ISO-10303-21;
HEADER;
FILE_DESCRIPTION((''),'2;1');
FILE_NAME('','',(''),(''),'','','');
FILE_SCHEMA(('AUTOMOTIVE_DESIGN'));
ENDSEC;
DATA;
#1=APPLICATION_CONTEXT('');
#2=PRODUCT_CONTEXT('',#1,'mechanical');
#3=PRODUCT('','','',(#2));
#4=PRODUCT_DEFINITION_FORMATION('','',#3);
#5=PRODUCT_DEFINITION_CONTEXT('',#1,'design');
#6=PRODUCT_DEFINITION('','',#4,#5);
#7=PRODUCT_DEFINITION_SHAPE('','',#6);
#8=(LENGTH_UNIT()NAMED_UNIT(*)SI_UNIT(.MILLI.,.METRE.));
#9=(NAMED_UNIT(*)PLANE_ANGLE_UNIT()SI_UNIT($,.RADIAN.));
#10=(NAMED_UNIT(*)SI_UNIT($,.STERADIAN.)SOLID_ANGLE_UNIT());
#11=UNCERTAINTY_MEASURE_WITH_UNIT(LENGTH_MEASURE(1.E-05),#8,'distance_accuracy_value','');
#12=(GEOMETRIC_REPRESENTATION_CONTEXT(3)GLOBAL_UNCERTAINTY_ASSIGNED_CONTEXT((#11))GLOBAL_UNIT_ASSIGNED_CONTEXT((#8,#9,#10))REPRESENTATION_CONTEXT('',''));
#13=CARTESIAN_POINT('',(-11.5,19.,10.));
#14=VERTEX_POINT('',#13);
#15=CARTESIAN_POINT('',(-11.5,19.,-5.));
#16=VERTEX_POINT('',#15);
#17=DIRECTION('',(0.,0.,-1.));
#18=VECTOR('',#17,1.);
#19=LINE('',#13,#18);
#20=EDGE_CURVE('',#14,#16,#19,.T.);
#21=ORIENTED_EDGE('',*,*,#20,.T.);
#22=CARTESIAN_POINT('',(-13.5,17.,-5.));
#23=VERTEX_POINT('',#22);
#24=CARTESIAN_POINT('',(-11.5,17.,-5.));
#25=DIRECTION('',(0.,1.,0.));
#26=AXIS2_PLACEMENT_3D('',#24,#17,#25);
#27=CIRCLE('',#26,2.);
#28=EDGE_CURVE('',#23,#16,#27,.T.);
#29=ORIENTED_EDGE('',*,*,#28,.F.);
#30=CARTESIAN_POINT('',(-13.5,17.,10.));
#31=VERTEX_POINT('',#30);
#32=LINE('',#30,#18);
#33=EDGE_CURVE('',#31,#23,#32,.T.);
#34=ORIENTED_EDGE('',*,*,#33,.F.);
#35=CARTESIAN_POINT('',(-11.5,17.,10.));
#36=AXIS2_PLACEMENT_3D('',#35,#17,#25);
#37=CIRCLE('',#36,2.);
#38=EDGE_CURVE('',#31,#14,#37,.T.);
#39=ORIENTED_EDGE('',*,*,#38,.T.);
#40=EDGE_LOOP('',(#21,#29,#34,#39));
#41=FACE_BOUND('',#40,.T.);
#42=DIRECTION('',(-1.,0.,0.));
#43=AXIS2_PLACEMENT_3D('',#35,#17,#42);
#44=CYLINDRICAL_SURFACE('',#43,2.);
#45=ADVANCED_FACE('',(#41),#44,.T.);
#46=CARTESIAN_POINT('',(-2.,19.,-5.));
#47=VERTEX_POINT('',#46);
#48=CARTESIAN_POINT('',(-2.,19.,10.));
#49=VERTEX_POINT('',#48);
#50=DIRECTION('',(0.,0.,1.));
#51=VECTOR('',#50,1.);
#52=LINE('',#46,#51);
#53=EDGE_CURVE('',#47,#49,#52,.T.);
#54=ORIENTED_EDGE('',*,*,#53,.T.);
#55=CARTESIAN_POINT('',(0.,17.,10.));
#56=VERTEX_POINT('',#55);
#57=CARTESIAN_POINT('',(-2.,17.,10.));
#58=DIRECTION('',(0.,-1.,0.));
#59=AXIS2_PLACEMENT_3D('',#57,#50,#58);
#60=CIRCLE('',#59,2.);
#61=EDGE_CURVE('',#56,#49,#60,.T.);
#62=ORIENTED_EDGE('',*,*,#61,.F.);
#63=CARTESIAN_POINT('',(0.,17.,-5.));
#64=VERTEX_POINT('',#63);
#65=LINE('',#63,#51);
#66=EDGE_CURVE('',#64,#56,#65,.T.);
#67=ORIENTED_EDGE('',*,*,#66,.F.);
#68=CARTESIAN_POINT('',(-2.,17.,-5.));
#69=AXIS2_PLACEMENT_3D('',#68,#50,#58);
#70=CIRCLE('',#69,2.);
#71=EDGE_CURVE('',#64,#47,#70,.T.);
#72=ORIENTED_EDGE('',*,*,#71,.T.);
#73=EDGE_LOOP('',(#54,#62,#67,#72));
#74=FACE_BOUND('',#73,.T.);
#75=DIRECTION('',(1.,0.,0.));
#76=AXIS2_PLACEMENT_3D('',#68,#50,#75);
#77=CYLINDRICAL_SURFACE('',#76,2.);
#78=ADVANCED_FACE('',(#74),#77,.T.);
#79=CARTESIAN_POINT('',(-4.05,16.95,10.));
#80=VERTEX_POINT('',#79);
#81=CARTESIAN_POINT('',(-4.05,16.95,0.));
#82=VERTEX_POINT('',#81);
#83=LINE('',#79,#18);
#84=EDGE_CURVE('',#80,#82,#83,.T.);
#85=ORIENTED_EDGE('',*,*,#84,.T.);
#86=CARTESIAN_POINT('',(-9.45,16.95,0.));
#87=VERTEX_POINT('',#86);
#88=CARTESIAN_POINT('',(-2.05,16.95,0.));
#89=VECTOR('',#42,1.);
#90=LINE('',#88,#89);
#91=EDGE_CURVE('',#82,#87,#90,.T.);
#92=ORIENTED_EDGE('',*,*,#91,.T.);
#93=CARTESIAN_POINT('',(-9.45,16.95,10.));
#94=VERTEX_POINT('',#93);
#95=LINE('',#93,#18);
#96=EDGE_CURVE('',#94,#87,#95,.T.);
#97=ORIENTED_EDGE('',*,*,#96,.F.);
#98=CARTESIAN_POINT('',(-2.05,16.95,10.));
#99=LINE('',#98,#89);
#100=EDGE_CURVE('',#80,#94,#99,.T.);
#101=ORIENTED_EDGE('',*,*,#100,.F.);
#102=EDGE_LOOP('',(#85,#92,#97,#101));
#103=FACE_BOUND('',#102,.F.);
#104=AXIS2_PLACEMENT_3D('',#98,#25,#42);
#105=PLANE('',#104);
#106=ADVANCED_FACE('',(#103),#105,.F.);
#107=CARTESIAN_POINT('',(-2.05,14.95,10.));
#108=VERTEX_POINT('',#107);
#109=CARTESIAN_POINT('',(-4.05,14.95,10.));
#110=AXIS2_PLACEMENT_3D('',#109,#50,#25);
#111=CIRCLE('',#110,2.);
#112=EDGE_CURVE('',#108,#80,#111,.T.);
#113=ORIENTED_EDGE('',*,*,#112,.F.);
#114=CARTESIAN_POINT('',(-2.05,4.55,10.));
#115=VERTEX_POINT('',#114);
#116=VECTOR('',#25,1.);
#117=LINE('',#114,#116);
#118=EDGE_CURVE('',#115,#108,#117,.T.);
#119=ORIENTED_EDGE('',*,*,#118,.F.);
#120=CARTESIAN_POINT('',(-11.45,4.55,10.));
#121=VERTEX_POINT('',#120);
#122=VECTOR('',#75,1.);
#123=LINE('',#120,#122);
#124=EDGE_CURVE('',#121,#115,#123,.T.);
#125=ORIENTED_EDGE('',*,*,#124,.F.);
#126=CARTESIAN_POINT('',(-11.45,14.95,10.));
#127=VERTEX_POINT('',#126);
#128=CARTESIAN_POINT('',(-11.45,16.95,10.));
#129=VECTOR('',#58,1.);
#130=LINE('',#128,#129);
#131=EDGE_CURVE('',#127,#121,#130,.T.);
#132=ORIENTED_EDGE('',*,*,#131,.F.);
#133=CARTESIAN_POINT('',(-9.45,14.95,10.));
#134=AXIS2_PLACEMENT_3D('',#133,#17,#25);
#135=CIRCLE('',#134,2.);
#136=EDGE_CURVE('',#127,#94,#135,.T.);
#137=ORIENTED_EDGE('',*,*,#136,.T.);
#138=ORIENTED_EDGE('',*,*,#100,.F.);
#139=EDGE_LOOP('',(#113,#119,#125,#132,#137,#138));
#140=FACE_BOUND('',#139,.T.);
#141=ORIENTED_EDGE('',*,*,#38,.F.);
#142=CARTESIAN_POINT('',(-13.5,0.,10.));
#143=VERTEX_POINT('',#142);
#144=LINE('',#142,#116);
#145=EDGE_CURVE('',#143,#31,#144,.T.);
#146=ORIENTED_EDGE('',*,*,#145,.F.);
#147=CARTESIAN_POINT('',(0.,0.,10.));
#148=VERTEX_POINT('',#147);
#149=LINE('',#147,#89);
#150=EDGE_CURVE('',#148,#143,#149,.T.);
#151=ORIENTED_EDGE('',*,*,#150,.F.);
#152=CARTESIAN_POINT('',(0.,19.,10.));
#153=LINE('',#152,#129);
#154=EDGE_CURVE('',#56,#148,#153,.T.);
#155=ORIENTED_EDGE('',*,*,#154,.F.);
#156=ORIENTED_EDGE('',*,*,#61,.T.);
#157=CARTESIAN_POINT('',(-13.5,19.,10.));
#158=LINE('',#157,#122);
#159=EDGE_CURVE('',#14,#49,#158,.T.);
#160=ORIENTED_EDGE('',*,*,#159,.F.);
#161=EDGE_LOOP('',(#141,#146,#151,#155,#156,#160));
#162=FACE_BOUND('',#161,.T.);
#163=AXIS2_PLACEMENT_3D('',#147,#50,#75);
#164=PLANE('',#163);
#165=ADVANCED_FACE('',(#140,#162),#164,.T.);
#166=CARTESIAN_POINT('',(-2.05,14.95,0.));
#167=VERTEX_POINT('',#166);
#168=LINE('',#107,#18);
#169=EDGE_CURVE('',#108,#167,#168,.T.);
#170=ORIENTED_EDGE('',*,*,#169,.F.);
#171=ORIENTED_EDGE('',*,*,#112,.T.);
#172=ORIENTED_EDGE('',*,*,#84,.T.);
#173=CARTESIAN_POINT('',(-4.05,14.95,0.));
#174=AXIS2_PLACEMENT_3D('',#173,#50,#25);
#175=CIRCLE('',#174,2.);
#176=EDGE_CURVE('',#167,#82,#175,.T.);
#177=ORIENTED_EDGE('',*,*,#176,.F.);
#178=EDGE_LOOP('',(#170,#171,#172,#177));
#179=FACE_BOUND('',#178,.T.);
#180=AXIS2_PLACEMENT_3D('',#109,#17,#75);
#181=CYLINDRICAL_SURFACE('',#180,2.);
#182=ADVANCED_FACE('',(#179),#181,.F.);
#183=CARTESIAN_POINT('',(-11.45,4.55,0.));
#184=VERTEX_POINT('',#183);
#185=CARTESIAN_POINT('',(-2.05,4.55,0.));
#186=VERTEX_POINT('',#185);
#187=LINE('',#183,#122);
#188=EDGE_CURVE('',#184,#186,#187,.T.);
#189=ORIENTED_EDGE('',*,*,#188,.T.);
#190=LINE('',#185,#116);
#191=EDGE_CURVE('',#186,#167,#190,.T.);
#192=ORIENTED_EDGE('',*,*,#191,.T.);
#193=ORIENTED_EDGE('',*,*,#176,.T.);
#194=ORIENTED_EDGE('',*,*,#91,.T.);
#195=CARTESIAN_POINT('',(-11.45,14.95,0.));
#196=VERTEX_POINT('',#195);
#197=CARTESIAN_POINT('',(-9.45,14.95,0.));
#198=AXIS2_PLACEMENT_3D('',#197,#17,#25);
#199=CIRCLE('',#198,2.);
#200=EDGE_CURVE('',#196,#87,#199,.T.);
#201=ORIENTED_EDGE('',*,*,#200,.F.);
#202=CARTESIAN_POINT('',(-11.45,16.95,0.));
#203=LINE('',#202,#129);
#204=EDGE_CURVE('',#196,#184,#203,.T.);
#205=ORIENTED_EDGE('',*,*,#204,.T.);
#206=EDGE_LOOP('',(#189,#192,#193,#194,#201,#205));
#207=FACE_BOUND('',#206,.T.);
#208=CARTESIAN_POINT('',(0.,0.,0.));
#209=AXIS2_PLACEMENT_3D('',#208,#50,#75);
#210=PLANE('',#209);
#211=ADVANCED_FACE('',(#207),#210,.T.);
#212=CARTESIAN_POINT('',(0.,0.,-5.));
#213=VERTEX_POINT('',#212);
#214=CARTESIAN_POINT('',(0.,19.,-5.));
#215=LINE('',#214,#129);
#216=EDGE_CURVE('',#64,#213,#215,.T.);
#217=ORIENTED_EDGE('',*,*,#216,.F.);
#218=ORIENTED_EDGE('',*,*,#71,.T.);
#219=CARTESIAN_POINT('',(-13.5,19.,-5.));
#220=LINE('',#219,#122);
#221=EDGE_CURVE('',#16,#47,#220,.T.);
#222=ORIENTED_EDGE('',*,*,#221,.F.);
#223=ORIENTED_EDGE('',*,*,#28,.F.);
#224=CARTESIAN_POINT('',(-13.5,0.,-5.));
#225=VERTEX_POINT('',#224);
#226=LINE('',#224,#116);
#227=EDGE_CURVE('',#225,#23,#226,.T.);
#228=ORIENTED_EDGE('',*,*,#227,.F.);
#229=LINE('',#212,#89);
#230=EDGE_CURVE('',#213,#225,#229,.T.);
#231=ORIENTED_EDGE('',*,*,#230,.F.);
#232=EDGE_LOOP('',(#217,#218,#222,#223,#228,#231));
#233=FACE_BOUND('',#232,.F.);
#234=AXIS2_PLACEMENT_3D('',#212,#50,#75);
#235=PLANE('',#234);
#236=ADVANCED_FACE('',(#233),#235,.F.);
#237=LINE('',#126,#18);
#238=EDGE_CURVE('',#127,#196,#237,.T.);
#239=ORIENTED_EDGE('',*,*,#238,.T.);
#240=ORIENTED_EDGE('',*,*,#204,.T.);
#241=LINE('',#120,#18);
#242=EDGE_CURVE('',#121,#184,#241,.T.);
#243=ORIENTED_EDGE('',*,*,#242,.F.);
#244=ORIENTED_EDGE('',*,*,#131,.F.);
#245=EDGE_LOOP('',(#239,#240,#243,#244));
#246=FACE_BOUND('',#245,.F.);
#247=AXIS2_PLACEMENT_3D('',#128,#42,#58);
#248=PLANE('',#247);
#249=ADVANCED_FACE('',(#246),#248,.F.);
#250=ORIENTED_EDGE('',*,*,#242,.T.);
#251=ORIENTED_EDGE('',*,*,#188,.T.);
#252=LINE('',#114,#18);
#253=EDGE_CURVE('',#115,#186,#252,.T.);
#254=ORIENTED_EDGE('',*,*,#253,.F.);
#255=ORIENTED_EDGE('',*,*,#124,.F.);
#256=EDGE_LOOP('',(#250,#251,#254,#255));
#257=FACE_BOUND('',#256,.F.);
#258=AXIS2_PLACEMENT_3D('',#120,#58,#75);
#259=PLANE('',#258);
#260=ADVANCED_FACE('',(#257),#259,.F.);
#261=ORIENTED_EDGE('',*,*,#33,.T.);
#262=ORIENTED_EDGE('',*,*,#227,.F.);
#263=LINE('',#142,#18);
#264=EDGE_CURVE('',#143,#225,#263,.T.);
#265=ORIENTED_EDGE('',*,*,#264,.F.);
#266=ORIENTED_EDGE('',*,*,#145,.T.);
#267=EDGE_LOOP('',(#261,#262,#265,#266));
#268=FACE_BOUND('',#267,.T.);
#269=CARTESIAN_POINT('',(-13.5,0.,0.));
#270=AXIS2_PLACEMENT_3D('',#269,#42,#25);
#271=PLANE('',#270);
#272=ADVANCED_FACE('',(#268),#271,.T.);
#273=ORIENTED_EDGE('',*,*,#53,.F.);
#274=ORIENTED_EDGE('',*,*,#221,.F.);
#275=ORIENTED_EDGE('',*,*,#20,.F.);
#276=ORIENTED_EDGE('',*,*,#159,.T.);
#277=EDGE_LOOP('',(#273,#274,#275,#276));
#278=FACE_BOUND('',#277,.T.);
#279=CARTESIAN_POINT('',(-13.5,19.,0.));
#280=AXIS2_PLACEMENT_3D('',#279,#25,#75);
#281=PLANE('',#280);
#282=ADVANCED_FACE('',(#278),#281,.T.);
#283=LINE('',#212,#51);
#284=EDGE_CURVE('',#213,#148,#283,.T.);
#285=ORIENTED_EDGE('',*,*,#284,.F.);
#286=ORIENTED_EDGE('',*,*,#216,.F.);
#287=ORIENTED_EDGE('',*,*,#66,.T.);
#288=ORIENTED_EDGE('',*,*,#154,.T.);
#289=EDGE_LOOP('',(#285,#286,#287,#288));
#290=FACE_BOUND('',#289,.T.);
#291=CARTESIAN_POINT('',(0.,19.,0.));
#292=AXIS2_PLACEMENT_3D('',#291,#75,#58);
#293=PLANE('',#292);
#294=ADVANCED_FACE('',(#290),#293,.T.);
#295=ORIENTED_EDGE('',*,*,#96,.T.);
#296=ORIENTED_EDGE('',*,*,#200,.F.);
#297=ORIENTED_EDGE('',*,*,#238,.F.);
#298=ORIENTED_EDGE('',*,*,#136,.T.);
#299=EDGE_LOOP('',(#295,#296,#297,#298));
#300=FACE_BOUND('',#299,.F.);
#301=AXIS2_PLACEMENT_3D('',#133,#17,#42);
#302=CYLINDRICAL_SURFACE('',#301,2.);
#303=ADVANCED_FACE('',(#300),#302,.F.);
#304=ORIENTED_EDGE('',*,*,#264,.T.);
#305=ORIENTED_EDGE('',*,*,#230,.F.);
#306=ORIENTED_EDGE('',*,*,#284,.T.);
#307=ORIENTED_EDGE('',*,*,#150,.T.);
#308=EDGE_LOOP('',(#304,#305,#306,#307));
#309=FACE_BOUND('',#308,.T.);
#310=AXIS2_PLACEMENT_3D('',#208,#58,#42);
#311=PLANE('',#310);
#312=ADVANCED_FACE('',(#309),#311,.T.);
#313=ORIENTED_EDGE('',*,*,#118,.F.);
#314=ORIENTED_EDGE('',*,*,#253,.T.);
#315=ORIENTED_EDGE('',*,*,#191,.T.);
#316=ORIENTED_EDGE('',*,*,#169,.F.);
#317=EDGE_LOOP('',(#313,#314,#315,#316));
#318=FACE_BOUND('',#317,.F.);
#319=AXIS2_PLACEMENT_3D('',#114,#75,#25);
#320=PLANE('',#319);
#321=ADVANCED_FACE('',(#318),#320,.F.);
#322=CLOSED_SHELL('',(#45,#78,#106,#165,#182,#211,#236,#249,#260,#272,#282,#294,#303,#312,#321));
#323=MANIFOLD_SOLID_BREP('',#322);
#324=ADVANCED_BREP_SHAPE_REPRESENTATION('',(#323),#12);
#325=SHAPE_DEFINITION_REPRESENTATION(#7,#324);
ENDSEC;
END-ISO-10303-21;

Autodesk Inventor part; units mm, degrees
ref_plane "YZ Plane" through (0, 0, 0) normal (1, 0, 0) x (0, 1, 0)
ref_plane "XZ Plane" through (0, 0, 0) normal (0, 1, 0) x (-1, 0, 0)
ref_plane "XY Plane" through (0, 0, 0) normal (0, 0, 1) x (1, 0, 0)
sketch "Sketch1" plane through (0, 0, 0) normal (0, 0, 1) x (1, 0, 0)
  line L0 (0, 0) -> (-13.5, 0)
  line L1 (-13.5, 0) -> (-13.5, 19)
  line L2 (-13.5, 19) -> (0, 19)
  line L3 (0, 19) -> (0, 0)
  dimension "d0" = 13.5
  dimension "d1" = 19
extrude "Extrusion1" add sketch "Sketch1" along normal blind 10 and the other way blind 5
sketch "Sketch2" plane through (0, 0, 10) normal (0, 0, 1) x (1, 0, 0)
  line L0 (-13.5, 19) -> (-13.5, 0) projected
  line L1 (-13.5, 0) -> (-11.45, 0)
  line L2 (-11.45, 0) -> (-11.45, 4.55)
  line L3 (-11.45, 4.55) -> (-13.5, 4.55)
  line L4 (-13.5, 4.55) -> (-13.5, 0)
  line L5 (0, 19) -> (-13.5, 19) projected
  line L6 (0, 19) -> (-2.05, 19)
  line L7 (-2.05, 19) -> (-2.05, 16.95)
  line L8 (-2.05, 16.95) -> (0, 16.95)
  line L9 (0, 16.95) -> (0, 19)
  line L10 (-11.45, 4.55) -> (-2.05, 4.55)
  line L11 (-2.05, 4.55) -> (-2.05, 16.95)
  line L12 (-2.05, 16.95) -> (-11.45, 16.95)
  line L13 (-11.45, 16.95) -> (-11.45, 4.55)
  point P0 (0, 0)
  dimension "d4" = 2.05
  dimension "d5" = 4.55
  dimension "d6" = 2.05
  dimension "d7" = 2.05
extrude "Extrusion2" cut sketch "Sketch2" against normal blind 10 contours L13 L12 L11 L10
fillet "Fillet1" radius 2 2 edges at (-11.45, 16.95, 5) (-2.05, 16.95, 5)
fillet "Fillet9" radius 2 2 edges at (0, 19, 2.5) (-13.5, 19, 2.5)
properties part number "Rod"
